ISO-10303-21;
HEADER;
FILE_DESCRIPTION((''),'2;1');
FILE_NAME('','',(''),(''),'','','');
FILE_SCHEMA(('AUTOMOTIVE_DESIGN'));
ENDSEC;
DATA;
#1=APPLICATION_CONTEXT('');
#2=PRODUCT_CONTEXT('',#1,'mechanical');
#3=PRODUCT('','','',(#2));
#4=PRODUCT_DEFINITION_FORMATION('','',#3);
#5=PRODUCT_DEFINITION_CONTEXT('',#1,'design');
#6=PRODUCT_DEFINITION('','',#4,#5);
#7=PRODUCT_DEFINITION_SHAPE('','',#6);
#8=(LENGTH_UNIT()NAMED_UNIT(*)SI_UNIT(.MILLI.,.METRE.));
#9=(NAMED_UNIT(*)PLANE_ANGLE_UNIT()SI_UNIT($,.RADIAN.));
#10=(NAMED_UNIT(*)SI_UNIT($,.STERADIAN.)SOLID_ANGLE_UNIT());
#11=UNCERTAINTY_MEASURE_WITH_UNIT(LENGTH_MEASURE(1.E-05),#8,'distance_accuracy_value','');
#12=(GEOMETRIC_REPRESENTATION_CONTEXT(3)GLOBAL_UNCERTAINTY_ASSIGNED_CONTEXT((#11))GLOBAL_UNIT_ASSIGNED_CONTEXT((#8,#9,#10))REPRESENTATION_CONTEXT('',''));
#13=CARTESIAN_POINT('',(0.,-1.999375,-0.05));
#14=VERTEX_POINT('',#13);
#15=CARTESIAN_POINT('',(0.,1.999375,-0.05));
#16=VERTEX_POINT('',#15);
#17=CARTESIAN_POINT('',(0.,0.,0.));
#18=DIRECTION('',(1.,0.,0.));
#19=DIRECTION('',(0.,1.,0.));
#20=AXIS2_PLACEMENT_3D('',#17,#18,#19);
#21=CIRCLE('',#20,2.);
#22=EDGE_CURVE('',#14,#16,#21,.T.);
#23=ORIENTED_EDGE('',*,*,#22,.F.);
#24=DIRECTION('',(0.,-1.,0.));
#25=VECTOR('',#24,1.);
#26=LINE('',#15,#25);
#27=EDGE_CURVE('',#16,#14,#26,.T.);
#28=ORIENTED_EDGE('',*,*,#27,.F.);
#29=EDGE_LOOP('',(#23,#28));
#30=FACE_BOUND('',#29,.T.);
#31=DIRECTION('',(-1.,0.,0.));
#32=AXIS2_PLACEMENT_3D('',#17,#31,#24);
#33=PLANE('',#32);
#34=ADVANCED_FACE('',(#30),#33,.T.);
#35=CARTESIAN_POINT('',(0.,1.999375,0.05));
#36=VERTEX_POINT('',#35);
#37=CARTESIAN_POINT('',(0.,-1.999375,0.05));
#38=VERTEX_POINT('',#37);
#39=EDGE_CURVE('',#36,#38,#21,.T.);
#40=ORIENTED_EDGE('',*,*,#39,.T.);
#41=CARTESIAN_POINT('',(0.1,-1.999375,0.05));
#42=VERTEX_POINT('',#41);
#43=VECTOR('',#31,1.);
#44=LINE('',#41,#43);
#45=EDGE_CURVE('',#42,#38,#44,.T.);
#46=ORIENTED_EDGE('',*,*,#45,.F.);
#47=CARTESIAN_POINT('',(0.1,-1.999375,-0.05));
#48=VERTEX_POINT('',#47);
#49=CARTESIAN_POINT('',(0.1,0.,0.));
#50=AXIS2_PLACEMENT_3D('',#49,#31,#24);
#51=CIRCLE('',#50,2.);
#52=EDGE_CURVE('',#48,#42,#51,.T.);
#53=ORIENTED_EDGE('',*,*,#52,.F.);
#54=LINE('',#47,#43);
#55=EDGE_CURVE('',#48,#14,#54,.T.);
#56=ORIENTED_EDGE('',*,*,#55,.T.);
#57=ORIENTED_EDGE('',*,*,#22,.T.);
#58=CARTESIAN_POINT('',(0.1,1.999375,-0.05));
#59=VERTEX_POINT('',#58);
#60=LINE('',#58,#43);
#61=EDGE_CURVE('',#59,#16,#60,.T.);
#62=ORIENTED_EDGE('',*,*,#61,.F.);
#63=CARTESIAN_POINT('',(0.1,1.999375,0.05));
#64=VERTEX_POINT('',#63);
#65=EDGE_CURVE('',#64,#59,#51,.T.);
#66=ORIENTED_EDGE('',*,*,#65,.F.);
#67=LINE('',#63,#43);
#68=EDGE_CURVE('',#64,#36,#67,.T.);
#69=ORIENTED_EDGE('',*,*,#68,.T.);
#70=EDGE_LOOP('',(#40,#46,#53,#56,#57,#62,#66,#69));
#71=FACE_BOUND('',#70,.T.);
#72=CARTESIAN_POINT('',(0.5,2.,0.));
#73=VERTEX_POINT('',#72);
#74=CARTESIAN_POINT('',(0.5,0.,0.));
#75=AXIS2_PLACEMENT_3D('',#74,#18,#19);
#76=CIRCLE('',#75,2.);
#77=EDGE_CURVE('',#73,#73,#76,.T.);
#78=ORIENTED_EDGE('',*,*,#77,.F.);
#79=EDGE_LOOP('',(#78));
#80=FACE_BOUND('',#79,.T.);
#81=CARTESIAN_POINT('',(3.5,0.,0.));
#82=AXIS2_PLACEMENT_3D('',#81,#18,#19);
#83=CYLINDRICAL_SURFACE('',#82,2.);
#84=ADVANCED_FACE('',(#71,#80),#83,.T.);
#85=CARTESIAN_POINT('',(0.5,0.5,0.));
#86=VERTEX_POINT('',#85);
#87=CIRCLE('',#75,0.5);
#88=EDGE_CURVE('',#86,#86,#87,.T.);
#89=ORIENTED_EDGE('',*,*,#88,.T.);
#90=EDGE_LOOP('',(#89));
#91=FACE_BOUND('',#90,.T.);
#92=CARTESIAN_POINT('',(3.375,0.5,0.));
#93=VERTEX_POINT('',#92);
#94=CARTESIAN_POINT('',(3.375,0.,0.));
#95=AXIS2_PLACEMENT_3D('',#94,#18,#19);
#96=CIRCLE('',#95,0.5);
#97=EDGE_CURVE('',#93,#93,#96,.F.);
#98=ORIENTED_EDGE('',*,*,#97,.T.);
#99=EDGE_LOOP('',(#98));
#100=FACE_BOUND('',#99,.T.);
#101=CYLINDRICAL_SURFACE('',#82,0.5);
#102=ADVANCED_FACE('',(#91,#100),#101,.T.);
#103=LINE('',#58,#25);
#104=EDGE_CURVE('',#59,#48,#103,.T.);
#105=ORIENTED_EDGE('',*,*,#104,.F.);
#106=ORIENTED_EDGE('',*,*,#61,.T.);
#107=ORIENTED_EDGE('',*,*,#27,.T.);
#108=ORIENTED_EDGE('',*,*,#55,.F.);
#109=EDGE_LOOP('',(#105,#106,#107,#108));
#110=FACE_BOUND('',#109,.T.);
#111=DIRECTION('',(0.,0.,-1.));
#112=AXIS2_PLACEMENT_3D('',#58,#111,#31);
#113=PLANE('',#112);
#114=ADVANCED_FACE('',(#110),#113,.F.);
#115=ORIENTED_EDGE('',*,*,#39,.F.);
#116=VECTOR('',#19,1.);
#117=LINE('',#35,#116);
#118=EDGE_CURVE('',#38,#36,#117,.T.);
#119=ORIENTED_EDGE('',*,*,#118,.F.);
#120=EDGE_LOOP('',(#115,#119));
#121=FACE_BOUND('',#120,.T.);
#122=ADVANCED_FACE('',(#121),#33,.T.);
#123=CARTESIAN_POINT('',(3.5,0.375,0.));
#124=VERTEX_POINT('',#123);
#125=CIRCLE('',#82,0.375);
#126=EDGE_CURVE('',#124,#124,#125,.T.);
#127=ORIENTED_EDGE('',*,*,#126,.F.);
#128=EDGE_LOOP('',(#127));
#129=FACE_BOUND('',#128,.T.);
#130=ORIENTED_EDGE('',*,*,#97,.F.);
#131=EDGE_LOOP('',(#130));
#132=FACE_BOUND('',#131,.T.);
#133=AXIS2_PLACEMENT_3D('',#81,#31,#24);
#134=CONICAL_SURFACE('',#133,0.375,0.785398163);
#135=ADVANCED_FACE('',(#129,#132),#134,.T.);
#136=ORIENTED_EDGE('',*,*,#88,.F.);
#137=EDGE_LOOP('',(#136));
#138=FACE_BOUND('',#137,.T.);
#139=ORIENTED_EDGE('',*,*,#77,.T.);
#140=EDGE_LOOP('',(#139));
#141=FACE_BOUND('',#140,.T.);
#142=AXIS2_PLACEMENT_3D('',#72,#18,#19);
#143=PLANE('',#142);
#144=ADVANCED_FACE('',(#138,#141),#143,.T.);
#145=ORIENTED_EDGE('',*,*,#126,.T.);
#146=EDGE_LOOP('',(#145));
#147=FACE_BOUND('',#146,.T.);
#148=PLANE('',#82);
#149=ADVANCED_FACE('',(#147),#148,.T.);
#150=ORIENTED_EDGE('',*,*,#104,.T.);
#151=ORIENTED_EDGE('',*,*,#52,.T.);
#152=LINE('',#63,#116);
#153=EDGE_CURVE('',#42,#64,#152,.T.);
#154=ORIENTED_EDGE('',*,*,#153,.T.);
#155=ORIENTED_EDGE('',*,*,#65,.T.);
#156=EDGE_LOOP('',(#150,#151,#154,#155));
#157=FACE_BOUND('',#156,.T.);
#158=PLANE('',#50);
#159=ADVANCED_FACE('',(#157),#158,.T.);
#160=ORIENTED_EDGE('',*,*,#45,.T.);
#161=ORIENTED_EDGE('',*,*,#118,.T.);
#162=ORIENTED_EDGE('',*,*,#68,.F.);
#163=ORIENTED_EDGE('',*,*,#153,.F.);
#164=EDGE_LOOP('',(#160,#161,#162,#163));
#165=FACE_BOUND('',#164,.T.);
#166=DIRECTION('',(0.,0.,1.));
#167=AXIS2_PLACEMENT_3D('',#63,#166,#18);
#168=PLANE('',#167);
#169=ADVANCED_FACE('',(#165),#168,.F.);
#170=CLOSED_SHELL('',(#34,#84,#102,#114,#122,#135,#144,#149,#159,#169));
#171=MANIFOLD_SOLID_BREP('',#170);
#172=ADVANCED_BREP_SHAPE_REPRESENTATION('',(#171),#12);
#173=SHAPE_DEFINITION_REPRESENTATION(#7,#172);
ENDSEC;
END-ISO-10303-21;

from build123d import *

# Parameters (mm, degrees)
CHAFL_N1_SIZE         = 0.125
CORTAR_EXTRUIR2_DEPTH = 0.1


with BuildPart() as part:
    # Croquis1 → Revolución1 (revolve)
    with BuildSketch(Plane.XY):
        Polygon((0, 0), (0, 2), (0.5, 2), (0.5, 0.5), (3.5, 0.5), (3.5, 0), align=None)
    revolve(axis=Axis((3.5, 0, 0), (-1, 0, 0)))

    # Chaflán1
    chafl_n1_edges = [part.edges().sort_by_distance(p)[0] for p in [
        (3.5, -0.5, 0),
    ]]
    chamfer(chafl_n1_edges, length=CHAFL_N1_SIZE)

    # Croquis6 → Cortar-Extruir2 (cut)
    with BuildSketch(Plane.ZY):
        with BuildLine():
            Line((-0.05, 1.999374902), (-0.05, -1.999374902))
            ThreePointArc((-0.05, -1.999374902), (0, -2), (0.05, -1.999374902))
            Line((0.05, -1.999374902), (0.05, 1.999374902))
            ThreePointArc((0.05, 1.999374902), (0, 2), (-0.05, 1.999374902))
        make_face()
    extrude(amount=-CORTAR_EXTRUIR2_DEPTH, mode=Mode.SUBTRACT)


solid = part.part
